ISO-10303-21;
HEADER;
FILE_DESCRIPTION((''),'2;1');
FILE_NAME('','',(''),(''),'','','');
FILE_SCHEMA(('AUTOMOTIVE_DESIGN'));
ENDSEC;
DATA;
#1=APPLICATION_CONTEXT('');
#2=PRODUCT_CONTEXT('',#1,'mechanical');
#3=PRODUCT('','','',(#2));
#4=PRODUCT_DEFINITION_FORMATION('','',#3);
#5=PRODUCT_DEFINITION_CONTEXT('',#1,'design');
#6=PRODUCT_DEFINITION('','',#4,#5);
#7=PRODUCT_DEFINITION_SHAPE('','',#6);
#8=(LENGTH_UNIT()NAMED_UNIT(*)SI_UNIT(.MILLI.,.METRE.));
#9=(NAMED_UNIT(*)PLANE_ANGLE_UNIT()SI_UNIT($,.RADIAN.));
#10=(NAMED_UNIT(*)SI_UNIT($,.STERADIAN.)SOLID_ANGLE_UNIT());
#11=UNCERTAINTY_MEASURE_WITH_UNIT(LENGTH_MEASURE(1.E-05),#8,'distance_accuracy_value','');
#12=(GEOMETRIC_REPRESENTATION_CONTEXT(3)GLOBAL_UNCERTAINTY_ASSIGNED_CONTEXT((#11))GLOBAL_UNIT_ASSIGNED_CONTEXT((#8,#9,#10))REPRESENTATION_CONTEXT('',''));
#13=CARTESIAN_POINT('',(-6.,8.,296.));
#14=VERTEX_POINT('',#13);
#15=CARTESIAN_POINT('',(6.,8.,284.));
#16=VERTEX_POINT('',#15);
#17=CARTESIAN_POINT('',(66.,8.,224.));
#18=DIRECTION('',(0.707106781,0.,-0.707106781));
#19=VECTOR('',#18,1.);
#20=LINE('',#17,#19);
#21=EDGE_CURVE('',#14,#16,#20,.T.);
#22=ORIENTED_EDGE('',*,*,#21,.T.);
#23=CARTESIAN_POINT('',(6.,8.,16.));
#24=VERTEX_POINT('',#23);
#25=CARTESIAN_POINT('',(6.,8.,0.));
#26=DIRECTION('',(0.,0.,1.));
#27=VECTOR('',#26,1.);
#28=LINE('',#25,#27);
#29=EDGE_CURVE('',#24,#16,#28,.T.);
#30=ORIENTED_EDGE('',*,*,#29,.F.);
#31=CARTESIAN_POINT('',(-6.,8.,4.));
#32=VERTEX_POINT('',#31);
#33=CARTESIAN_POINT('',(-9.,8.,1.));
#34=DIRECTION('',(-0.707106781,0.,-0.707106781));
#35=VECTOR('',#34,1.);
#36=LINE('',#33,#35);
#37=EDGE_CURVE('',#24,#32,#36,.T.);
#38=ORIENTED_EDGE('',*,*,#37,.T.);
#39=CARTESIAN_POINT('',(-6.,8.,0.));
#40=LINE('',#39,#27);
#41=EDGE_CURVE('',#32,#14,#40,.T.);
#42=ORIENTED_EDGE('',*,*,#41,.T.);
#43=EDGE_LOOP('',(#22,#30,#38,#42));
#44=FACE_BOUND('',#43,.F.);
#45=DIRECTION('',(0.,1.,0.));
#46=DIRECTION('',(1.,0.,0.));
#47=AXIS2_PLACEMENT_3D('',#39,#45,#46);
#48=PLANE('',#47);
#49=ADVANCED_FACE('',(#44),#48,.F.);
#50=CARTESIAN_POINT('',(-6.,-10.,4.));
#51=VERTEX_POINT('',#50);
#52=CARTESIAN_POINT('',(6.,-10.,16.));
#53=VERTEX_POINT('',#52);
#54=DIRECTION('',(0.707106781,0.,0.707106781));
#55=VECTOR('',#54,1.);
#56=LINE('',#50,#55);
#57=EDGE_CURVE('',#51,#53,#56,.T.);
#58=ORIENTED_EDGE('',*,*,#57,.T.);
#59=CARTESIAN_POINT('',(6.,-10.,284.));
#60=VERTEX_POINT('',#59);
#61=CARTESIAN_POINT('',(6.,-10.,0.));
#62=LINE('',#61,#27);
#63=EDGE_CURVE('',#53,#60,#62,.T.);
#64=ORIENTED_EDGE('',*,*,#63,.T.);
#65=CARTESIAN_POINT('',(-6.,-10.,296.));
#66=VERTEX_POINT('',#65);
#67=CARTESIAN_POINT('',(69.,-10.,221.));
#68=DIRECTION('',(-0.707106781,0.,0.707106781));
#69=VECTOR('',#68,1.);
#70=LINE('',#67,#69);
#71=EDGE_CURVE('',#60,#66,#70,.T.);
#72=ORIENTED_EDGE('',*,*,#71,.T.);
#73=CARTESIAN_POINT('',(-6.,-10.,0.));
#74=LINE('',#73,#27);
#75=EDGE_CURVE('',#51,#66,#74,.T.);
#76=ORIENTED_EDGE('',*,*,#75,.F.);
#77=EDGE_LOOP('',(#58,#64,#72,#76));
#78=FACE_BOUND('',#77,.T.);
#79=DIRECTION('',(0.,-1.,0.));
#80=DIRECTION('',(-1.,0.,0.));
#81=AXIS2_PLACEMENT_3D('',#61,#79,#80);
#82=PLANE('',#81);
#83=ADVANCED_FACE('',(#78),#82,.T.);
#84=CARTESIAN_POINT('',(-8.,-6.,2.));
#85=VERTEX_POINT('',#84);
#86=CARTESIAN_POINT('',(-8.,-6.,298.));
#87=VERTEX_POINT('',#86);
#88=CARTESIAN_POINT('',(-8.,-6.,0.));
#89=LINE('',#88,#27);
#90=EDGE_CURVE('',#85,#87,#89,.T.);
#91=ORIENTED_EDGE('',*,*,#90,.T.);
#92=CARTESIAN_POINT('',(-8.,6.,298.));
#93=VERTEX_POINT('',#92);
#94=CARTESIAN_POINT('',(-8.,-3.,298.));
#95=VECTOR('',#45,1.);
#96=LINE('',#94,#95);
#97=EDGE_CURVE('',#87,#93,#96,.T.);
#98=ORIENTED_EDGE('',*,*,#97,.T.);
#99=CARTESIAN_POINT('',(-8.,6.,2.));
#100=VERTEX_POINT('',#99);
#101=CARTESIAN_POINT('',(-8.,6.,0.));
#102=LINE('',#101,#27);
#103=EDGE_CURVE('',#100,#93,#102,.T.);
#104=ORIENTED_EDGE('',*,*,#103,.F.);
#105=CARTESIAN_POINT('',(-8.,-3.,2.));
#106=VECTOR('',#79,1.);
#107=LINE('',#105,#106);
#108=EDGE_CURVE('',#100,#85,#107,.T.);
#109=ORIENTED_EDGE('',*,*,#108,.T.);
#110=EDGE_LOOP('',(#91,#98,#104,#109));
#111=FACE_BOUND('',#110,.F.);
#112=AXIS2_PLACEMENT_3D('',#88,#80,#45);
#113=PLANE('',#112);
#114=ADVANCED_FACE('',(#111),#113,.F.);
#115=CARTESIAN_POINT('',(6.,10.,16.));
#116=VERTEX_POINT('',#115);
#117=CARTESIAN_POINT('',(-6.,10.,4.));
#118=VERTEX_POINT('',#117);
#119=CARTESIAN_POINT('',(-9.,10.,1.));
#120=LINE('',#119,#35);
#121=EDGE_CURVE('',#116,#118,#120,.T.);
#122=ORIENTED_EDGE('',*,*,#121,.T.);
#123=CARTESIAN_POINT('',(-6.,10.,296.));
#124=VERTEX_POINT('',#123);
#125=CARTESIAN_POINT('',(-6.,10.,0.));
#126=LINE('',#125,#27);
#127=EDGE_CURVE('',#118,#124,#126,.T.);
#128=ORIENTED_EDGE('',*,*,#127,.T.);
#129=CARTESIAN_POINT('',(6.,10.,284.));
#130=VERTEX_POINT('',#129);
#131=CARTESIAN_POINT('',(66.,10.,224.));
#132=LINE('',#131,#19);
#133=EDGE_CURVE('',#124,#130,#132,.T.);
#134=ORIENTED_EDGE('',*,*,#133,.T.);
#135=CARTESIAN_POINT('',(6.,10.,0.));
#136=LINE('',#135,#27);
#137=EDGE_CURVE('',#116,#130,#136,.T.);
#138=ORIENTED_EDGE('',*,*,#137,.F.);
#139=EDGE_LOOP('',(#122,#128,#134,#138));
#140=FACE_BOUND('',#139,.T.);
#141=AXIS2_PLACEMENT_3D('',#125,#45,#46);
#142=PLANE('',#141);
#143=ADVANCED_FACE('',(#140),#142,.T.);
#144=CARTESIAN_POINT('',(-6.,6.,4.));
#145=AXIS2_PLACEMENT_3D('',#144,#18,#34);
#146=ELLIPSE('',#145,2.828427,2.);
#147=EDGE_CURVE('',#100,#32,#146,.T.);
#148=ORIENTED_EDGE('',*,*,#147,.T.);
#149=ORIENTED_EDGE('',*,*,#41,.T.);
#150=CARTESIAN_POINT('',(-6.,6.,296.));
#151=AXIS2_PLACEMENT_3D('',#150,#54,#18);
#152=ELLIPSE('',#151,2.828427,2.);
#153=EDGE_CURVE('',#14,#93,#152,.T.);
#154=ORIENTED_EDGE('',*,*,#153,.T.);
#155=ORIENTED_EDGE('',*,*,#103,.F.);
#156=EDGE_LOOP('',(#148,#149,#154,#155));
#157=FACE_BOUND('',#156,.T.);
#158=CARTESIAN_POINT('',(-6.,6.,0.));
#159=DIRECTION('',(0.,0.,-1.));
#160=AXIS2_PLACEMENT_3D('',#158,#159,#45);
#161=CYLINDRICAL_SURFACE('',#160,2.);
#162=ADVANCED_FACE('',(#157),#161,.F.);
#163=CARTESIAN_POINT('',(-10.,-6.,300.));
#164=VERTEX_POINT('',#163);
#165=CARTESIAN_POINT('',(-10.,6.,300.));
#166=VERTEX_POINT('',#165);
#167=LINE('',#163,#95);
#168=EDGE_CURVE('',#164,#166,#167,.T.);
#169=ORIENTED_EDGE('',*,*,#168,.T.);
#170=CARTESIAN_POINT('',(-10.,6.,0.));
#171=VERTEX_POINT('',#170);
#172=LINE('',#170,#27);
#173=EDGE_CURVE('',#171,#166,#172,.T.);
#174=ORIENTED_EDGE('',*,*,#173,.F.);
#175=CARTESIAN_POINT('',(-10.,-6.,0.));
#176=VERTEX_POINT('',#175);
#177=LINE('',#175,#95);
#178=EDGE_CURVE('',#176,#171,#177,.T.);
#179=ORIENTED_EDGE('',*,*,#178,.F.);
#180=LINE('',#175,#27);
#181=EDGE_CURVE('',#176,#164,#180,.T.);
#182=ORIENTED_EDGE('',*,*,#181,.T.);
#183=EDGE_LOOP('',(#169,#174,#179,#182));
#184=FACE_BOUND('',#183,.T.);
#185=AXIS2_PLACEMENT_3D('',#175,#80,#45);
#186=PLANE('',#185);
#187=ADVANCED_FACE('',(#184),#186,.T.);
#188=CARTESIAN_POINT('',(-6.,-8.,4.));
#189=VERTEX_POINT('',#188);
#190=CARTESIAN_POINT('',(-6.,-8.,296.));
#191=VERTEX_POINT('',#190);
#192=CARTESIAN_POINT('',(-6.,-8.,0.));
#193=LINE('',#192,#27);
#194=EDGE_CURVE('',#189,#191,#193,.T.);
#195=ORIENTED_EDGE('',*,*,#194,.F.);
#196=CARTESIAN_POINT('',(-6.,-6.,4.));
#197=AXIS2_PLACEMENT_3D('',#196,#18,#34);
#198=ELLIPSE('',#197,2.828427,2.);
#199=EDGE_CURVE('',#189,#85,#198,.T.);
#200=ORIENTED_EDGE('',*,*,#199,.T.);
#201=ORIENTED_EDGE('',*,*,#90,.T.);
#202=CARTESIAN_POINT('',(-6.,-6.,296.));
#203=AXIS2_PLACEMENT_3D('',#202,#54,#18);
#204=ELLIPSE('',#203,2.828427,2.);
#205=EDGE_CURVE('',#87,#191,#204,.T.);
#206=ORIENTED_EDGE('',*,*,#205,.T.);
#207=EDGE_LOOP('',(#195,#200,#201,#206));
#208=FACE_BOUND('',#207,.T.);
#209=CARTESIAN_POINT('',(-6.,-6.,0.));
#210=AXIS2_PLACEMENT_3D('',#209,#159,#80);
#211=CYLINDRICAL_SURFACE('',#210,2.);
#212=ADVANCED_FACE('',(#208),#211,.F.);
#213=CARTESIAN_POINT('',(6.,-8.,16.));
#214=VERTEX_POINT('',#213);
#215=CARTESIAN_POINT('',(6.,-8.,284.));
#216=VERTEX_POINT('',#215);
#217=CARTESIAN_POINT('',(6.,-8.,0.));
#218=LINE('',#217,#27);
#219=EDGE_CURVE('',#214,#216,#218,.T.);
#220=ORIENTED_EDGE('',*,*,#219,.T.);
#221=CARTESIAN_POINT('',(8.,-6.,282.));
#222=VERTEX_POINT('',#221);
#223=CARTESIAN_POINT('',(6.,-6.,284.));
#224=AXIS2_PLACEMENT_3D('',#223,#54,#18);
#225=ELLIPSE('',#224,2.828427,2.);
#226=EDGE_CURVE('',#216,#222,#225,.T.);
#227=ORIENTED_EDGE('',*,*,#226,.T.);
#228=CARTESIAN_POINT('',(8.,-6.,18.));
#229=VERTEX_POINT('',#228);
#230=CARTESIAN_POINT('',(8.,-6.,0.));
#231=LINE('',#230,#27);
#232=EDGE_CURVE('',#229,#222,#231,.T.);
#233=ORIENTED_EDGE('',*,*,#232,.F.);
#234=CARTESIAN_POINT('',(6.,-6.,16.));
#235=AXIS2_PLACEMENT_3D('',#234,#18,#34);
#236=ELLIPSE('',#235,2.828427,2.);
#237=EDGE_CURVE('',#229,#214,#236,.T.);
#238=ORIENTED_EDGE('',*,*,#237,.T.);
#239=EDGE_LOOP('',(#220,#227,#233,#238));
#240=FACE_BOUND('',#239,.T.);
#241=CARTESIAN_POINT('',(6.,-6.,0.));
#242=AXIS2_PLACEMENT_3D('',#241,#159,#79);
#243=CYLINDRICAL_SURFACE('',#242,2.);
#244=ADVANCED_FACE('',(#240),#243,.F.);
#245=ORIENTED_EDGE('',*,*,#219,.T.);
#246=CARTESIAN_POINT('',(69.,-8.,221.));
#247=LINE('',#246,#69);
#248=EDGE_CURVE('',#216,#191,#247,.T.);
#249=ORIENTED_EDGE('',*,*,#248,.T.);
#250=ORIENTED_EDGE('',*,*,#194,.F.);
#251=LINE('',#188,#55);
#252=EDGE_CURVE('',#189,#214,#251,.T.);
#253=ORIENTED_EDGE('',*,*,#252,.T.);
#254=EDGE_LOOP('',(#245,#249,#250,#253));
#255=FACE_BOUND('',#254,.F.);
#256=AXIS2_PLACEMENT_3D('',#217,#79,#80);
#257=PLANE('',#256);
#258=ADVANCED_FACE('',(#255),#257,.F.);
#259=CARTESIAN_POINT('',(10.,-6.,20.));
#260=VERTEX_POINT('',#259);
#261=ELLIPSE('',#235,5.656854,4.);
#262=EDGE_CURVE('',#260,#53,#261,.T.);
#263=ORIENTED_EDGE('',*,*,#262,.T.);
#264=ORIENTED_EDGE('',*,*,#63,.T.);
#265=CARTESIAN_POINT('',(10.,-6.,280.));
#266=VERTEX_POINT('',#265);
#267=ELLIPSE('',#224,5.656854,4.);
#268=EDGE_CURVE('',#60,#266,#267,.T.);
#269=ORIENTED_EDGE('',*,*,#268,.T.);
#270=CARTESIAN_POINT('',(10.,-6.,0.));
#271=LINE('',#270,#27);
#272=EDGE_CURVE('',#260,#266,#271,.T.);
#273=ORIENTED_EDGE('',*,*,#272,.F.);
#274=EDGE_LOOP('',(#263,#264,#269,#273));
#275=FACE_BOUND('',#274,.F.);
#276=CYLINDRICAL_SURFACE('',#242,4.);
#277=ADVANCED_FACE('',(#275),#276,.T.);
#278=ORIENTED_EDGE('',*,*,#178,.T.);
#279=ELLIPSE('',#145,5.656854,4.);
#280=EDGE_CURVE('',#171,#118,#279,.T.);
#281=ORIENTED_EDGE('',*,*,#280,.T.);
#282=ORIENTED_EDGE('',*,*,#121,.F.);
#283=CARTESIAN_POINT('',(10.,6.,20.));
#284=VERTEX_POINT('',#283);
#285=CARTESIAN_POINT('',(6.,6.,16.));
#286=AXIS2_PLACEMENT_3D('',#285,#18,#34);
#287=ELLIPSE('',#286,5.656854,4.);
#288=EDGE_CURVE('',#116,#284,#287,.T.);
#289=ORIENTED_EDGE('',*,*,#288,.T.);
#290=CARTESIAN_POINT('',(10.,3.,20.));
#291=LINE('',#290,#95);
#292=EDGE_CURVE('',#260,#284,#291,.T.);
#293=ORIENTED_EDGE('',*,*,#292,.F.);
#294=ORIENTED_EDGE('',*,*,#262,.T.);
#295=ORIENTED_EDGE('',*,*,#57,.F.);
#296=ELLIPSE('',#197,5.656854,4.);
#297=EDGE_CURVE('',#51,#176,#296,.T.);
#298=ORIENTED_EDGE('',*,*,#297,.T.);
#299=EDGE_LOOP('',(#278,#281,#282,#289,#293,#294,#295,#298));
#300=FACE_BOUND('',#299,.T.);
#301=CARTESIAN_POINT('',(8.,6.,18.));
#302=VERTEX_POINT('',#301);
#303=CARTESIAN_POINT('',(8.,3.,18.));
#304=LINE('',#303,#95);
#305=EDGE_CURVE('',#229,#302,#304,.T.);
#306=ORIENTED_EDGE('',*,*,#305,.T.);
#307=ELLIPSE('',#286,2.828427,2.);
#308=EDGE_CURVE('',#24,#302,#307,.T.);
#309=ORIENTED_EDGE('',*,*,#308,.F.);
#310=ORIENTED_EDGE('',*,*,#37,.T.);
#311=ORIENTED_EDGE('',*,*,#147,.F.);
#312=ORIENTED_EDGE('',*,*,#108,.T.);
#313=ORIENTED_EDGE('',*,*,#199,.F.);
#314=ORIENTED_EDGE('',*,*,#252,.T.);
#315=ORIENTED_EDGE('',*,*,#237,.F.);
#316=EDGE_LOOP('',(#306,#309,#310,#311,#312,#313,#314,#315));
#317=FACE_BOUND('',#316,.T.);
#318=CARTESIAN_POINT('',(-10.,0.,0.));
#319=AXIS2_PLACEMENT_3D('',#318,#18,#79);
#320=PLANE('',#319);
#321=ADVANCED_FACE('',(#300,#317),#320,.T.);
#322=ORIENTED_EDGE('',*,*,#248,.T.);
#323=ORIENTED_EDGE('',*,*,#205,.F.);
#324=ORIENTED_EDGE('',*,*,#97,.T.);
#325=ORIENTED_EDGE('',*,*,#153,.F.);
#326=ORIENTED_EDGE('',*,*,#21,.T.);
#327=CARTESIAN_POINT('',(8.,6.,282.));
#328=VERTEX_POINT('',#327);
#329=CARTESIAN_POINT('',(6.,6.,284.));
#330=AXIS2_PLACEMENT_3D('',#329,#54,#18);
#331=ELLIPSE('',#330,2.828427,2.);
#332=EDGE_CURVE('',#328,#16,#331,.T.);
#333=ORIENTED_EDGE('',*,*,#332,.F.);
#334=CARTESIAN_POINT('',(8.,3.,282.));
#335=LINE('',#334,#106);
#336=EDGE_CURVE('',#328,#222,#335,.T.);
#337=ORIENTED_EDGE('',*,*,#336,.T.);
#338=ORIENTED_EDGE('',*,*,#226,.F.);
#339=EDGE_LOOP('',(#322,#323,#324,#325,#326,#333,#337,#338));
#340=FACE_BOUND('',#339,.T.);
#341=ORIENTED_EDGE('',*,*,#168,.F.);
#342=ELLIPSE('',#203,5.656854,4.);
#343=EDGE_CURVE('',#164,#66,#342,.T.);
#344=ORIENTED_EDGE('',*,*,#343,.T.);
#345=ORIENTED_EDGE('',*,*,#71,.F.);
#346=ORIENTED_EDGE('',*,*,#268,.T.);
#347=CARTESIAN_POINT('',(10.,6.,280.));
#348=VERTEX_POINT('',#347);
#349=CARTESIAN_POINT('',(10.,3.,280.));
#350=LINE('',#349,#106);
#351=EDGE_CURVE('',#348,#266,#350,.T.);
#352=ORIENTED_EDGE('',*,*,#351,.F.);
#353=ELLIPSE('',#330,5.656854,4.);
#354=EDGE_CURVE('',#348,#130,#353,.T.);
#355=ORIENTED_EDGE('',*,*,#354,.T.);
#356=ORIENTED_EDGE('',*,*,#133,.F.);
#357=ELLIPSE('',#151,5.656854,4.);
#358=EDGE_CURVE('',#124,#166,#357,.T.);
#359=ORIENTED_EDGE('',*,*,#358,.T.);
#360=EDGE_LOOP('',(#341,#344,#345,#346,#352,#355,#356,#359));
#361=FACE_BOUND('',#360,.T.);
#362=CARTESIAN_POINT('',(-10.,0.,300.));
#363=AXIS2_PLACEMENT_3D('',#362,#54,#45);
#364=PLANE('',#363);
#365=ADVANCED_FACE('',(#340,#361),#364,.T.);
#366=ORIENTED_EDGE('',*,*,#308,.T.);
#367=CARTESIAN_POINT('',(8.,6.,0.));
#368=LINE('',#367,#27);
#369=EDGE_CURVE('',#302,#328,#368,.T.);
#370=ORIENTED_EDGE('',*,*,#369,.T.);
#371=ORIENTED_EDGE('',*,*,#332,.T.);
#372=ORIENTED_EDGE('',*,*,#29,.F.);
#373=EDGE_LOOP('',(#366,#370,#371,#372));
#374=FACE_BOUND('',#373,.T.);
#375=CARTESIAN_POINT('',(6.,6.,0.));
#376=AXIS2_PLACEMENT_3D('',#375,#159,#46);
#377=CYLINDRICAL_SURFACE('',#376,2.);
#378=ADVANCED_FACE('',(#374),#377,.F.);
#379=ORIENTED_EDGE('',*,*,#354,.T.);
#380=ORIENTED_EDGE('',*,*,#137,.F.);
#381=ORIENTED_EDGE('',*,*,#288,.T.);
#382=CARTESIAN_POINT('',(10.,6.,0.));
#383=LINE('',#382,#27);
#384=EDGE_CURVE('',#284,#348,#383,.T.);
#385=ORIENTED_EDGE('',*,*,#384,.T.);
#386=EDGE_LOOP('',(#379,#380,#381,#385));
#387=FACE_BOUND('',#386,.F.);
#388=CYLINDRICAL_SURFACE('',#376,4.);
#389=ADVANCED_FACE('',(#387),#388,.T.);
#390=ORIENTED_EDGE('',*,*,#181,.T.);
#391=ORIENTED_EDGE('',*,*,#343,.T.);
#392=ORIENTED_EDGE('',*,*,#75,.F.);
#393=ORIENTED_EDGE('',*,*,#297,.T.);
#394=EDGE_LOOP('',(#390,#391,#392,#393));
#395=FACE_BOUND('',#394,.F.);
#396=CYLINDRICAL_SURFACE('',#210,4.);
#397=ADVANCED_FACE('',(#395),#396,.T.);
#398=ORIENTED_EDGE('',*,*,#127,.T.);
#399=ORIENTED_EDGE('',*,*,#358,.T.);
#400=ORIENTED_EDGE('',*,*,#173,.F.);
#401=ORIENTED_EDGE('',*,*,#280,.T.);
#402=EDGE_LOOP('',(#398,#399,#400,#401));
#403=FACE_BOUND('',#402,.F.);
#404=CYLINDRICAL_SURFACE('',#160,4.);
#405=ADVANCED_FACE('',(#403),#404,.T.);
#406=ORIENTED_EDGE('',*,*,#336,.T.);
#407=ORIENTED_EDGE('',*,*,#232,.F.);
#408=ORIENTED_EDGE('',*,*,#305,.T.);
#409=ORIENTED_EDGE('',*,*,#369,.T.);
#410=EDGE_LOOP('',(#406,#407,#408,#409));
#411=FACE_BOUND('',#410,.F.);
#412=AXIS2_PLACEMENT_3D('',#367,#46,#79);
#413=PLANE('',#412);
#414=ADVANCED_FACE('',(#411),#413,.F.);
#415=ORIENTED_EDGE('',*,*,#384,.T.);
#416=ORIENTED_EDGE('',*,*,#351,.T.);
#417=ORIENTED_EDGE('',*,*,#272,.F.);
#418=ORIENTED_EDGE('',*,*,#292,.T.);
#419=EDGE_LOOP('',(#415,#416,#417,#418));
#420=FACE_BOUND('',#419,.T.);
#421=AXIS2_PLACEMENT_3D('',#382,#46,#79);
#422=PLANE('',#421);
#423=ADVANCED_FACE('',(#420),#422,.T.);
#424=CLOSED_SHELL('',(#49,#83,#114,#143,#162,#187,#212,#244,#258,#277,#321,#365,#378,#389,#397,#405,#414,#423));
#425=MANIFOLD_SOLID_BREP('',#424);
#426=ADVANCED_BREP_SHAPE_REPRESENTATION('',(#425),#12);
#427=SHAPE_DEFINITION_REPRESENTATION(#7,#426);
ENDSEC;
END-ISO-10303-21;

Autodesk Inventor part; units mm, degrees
ref_plane "Start plane" through (0, 0, 0) normal (0, 0, 1) x (1, 0, 0)
ref_plane "End plane" through (0, 0, 300) normal (0, 0, 1) x (1, 0, 0)
sketch "Sketch" plane through (0, 0, 0) normal (0, 0, 1) x (1, 0, 0)
  line L0 (-10, -6) -> (-10, 6)
  line L1 (-6, 10) -> (6, 10)
  line L2 (10, 6) -> (10, -6)
  line L3 (6, -10) -> (-6, -10)
  arc A0 (-10, -6) -> (-6, -10) centre (-6, -6) ccw
  arc A1 (10, 6) -> (6, 10) centre (6, 6) ccw
  arc A2 (-6, 10) -> (-10, 6) centre (-6, 6) ccw
  arc A3 (6, -10) -> (10, -6) centre (6, -6) ccw
  arc A4 (-6, 8) -> (-8, 6) centre (-6, 6) ccw
  line L4 (-6, 8) -> (6, 8)
  arc A5 (8, 6) -> (6, 8) centre (6, 6) ccw
  line L5 (8, 6) -> (8, -6)
  arc A6 (6, -8) -> (8, -6) centre (6, -6) ccw
  line L6 (6, -8) -> (-6, -8)
  arc A7 (-8, -6) -> (-6, -8) centre (-6, -6) ccw
  line L7 (-8, -6) -> (-8, 6)
  line L8 (0, 15.1598) -> (0, -15.1598) construction
  line L9 (-15.1598, 0) -> (15.1598, 0) construction
  dimension "d7" = 4
  dimension "d9" = 20
  dimension "d11" = 20
  dimension "d12" = 2
  dimension "d15" = 10
  dimension "d16" = 10
extrude "Body" add sketch "Sketch" along normal up to surface (300 mm away) from surface at 0
sketch "Sketch3" plane through (0, 0, 0) normal (0, 0, 1) x (1, 0, 0)
  line L0 (0, 0) -> (10, 0)
ref_plane "Work Plane3" through (0, 0, 0) normal (0, -1, 0) x (1, 0, 0)
sketch "Sketch4" plane through (0, 0, 0) normal (0, -1, 0) x (1, 0, 0)
  line L0 (-2, 0) -> (12, 0)
  line L1 (-2, 300) -> (12, 300)
  dimension "d18" = 300
ref_plane "Work Plane4" through (-10, 0, 0) normal (0.7071, 0, -0.7071) x (-0.7071, 0, -0.7071)
split "Split1" plane through (-10, 0, 0) removes the side toward (0.7071, 0, -0.7071)
ref_plane "Work Plane5" through (-10, 0, 300) normal (0.7071, 0, 0.7071) x (0.7071, 0, -0.7071)
split "Split2" plane through (-10, 0, 300) removes the side toward (0.7071, 0, 0.7071)
ref_plane "Work Plane6" through (0, 10, 300) normal (0, 0, 1) x (1, 0, 0)
split "Split3" plane through (0, 10, 300) removes the side toward (0, 0, 1)
equation "\"d7\" = G_IR"
equation "\"d9\" = G_W"
equation "\"d11\" = G_H"
equation "\"d12\" = G_T"
equation "\"d15\" = 0.5 * d9"
equation "\"d16\" = 0.5 * d11"
equation "\"d3\" = G_L"
equation "\"G_W\" = 20"
equation "\"G_H\" = 20"
equation "\"G_T\" = 2"
equation "\"G_IR\" = 4"
equation "\"G_L\" = d18"
equation "\"G_OFFSET_START\" = 0"
equation "\"G_OFFSET_END\" = 0"
properties part number "ISO 4019 - 20x20x2 - 300" material "Steel, Mild"
